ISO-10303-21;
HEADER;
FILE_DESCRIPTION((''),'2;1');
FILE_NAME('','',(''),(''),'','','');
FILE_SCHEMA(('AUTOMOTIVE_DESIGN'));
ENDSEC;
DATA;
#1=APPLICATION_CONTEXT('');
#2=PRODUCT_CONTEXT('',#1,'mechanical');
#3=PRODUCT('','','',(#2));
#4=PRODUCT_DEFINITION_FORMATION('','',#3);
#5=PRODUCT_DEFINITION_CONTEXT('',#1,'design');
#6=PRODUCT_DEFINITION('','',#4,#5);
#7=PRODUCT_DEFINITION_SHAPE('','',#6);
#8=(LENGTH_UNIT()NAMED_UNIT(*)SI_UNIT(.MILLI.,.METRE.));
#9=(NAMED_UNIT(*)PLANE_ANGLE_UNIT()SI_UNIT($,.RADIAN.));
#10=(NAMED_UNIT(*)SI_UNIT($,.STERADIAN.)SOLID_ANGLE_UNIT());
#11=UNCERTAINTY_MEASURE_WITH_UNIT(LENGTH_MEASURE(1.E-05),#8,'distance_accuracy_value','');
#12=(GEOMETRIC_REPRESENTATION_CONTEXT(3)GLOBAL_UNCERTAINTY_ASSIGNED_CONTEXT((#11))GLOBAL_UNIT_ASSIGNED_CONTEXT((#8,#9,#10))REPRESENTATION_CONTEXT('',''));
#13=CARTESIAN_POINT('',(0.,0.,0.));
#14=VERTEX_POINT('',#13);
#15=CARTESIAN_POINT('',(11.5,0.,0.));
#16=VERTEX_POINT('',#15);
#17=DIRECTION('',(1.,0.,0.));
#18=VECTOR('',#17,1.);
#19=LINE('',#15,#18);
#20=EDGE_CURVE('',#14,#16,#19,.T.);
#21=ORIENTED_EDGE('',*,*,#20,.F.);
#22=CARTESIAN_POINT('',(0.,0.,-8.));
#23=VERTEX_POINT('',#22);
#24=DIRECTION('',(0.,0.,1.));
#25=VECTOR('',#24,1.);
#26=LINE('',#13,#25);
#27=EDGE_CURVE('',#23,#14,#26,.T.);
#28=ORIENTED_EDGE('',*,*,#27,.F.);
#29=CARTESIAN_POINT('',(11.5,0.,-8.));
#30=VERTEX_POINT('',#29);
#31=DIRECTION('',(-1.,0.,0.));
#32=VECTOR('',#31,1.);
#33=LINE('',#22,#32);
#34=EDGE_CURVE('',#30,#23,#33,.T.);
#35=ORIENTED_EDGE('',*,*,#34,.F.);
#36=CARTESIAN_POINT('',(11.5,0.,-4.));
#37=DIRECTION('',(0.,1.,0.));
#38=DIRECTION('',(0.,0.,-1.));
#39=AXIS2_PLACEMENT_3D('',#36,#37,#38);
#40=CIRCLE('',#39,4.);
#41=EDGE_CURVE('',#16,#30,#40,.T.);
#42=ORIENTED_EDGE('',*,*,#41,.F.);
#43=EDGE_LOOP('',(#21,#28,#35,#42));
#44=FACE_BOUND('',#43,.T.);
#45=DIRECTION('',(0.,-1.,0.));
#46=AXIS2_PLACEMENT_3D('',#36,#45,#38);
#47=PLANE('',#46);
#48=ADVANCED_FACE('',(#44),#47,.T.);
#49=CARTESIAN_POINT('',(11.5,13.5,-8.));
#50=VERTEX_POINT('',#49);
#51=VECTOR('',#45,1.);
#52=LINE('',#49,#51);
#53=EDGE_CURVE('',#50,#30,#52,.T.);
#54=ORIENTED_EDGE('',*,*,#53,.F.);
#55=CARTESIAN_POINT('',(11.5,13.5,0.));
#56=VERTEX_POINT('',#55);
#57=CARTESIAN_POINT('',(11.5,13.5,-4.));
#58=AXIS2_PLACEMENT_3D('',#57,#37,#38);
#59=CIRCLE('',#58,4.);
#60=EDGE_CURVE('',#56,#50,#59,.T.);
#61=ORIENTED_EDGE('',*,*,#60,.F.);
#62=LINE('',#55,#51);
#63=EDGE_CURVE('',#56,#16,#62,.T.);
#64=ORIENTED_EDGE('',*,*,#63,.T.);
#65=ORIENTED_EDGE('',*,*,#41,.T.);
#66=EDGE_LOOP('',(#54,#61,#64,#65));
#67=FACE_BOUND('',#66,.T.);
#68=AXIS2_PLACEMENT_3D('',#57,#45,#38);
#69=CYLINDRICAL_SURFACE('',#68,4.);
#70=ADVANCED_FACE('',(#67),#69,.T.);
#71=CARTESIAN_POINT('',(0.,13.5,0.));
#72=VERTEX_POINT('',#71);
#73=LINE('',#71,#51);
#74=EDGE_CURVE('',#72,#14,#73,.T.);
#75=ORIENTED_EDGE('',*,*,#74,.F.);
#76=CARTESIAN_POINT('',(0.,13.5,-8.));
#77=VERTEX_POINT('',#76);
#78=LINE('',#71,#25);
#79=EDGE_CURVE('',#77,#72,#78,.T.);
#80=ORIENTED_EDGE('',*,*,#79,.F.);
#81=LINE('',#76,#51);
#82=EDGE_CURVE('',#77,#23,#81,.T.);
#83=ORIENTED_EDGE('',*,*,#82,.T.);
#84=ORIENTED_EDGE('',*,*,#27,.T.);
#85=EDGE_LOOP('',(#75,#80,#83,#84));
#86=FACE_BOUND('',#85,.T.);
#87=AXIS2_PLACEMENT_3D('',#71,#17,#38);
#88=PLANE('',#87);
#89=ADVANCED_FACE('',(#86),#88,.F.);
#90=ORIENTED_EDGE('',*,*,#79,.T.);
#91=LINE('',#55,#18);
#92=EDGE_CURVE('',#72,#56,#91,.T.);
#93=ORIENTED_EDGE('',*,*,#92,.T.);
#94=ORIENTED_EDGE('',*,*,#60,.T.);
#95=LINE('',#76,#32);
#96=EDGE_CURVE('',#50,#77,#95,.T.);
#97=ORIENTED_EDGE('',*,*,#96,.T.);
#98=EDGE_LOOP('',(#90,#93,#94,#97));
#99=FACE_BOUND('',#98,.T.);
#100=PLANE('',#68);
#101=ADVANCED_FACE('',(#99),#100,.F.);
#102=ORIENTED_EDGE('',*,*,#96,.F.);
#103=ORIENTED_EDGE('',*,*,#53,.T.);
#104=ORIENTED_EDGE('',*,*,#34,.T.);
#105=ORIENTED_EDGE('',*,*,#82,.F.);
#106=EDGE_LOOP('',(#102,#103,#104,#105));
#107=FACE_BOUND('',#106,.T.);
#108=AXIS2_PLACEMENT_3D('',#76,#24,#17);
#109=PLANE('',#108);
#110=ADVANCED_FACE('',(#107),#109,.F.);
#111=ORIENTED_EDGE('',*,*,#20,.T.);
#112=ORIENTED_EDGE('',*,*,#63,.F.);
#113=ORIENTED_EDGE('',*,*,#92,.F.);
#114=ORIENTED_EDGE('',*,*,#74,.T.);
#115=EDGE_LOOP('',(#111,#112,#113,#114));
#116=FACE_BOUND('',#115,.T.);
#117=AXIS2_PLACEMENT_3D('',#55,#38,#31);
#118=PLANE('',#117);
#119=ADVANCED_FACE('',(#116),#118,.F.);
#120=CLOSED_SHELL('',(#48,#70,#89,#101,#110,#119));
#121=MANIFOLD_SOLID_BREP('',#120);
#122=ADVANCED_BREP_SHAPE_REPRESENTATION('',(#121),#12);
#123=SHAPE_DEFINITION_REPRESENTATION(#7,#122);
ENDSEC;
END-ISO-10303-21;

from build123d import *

# Parameters (mm, degrees)
P_IDAT_VYSUNUT_M1_DEPTH = 13.5


with BuildPart() as part:
    # Skica1 → Přidat vysunutím1 (new body)
    with BuildSketch(Plane(origin=(0, 0, 0), x_dir=(1, 0, 0), z_dir=(0, 1, 0))):
        with BuildLine():
            Line((0, 0), (0, 8))
            Line((0, 8), (11.5, 8))
            ThreePointArc((11.5, 8), (15.5, 4), (11.5, 0))
            Line((11.5, 0), (0, 0))
        make_face()
    extrude(amount=P_IDAT_VYSUNUT_M1_DEPTH)


solid = part.part
